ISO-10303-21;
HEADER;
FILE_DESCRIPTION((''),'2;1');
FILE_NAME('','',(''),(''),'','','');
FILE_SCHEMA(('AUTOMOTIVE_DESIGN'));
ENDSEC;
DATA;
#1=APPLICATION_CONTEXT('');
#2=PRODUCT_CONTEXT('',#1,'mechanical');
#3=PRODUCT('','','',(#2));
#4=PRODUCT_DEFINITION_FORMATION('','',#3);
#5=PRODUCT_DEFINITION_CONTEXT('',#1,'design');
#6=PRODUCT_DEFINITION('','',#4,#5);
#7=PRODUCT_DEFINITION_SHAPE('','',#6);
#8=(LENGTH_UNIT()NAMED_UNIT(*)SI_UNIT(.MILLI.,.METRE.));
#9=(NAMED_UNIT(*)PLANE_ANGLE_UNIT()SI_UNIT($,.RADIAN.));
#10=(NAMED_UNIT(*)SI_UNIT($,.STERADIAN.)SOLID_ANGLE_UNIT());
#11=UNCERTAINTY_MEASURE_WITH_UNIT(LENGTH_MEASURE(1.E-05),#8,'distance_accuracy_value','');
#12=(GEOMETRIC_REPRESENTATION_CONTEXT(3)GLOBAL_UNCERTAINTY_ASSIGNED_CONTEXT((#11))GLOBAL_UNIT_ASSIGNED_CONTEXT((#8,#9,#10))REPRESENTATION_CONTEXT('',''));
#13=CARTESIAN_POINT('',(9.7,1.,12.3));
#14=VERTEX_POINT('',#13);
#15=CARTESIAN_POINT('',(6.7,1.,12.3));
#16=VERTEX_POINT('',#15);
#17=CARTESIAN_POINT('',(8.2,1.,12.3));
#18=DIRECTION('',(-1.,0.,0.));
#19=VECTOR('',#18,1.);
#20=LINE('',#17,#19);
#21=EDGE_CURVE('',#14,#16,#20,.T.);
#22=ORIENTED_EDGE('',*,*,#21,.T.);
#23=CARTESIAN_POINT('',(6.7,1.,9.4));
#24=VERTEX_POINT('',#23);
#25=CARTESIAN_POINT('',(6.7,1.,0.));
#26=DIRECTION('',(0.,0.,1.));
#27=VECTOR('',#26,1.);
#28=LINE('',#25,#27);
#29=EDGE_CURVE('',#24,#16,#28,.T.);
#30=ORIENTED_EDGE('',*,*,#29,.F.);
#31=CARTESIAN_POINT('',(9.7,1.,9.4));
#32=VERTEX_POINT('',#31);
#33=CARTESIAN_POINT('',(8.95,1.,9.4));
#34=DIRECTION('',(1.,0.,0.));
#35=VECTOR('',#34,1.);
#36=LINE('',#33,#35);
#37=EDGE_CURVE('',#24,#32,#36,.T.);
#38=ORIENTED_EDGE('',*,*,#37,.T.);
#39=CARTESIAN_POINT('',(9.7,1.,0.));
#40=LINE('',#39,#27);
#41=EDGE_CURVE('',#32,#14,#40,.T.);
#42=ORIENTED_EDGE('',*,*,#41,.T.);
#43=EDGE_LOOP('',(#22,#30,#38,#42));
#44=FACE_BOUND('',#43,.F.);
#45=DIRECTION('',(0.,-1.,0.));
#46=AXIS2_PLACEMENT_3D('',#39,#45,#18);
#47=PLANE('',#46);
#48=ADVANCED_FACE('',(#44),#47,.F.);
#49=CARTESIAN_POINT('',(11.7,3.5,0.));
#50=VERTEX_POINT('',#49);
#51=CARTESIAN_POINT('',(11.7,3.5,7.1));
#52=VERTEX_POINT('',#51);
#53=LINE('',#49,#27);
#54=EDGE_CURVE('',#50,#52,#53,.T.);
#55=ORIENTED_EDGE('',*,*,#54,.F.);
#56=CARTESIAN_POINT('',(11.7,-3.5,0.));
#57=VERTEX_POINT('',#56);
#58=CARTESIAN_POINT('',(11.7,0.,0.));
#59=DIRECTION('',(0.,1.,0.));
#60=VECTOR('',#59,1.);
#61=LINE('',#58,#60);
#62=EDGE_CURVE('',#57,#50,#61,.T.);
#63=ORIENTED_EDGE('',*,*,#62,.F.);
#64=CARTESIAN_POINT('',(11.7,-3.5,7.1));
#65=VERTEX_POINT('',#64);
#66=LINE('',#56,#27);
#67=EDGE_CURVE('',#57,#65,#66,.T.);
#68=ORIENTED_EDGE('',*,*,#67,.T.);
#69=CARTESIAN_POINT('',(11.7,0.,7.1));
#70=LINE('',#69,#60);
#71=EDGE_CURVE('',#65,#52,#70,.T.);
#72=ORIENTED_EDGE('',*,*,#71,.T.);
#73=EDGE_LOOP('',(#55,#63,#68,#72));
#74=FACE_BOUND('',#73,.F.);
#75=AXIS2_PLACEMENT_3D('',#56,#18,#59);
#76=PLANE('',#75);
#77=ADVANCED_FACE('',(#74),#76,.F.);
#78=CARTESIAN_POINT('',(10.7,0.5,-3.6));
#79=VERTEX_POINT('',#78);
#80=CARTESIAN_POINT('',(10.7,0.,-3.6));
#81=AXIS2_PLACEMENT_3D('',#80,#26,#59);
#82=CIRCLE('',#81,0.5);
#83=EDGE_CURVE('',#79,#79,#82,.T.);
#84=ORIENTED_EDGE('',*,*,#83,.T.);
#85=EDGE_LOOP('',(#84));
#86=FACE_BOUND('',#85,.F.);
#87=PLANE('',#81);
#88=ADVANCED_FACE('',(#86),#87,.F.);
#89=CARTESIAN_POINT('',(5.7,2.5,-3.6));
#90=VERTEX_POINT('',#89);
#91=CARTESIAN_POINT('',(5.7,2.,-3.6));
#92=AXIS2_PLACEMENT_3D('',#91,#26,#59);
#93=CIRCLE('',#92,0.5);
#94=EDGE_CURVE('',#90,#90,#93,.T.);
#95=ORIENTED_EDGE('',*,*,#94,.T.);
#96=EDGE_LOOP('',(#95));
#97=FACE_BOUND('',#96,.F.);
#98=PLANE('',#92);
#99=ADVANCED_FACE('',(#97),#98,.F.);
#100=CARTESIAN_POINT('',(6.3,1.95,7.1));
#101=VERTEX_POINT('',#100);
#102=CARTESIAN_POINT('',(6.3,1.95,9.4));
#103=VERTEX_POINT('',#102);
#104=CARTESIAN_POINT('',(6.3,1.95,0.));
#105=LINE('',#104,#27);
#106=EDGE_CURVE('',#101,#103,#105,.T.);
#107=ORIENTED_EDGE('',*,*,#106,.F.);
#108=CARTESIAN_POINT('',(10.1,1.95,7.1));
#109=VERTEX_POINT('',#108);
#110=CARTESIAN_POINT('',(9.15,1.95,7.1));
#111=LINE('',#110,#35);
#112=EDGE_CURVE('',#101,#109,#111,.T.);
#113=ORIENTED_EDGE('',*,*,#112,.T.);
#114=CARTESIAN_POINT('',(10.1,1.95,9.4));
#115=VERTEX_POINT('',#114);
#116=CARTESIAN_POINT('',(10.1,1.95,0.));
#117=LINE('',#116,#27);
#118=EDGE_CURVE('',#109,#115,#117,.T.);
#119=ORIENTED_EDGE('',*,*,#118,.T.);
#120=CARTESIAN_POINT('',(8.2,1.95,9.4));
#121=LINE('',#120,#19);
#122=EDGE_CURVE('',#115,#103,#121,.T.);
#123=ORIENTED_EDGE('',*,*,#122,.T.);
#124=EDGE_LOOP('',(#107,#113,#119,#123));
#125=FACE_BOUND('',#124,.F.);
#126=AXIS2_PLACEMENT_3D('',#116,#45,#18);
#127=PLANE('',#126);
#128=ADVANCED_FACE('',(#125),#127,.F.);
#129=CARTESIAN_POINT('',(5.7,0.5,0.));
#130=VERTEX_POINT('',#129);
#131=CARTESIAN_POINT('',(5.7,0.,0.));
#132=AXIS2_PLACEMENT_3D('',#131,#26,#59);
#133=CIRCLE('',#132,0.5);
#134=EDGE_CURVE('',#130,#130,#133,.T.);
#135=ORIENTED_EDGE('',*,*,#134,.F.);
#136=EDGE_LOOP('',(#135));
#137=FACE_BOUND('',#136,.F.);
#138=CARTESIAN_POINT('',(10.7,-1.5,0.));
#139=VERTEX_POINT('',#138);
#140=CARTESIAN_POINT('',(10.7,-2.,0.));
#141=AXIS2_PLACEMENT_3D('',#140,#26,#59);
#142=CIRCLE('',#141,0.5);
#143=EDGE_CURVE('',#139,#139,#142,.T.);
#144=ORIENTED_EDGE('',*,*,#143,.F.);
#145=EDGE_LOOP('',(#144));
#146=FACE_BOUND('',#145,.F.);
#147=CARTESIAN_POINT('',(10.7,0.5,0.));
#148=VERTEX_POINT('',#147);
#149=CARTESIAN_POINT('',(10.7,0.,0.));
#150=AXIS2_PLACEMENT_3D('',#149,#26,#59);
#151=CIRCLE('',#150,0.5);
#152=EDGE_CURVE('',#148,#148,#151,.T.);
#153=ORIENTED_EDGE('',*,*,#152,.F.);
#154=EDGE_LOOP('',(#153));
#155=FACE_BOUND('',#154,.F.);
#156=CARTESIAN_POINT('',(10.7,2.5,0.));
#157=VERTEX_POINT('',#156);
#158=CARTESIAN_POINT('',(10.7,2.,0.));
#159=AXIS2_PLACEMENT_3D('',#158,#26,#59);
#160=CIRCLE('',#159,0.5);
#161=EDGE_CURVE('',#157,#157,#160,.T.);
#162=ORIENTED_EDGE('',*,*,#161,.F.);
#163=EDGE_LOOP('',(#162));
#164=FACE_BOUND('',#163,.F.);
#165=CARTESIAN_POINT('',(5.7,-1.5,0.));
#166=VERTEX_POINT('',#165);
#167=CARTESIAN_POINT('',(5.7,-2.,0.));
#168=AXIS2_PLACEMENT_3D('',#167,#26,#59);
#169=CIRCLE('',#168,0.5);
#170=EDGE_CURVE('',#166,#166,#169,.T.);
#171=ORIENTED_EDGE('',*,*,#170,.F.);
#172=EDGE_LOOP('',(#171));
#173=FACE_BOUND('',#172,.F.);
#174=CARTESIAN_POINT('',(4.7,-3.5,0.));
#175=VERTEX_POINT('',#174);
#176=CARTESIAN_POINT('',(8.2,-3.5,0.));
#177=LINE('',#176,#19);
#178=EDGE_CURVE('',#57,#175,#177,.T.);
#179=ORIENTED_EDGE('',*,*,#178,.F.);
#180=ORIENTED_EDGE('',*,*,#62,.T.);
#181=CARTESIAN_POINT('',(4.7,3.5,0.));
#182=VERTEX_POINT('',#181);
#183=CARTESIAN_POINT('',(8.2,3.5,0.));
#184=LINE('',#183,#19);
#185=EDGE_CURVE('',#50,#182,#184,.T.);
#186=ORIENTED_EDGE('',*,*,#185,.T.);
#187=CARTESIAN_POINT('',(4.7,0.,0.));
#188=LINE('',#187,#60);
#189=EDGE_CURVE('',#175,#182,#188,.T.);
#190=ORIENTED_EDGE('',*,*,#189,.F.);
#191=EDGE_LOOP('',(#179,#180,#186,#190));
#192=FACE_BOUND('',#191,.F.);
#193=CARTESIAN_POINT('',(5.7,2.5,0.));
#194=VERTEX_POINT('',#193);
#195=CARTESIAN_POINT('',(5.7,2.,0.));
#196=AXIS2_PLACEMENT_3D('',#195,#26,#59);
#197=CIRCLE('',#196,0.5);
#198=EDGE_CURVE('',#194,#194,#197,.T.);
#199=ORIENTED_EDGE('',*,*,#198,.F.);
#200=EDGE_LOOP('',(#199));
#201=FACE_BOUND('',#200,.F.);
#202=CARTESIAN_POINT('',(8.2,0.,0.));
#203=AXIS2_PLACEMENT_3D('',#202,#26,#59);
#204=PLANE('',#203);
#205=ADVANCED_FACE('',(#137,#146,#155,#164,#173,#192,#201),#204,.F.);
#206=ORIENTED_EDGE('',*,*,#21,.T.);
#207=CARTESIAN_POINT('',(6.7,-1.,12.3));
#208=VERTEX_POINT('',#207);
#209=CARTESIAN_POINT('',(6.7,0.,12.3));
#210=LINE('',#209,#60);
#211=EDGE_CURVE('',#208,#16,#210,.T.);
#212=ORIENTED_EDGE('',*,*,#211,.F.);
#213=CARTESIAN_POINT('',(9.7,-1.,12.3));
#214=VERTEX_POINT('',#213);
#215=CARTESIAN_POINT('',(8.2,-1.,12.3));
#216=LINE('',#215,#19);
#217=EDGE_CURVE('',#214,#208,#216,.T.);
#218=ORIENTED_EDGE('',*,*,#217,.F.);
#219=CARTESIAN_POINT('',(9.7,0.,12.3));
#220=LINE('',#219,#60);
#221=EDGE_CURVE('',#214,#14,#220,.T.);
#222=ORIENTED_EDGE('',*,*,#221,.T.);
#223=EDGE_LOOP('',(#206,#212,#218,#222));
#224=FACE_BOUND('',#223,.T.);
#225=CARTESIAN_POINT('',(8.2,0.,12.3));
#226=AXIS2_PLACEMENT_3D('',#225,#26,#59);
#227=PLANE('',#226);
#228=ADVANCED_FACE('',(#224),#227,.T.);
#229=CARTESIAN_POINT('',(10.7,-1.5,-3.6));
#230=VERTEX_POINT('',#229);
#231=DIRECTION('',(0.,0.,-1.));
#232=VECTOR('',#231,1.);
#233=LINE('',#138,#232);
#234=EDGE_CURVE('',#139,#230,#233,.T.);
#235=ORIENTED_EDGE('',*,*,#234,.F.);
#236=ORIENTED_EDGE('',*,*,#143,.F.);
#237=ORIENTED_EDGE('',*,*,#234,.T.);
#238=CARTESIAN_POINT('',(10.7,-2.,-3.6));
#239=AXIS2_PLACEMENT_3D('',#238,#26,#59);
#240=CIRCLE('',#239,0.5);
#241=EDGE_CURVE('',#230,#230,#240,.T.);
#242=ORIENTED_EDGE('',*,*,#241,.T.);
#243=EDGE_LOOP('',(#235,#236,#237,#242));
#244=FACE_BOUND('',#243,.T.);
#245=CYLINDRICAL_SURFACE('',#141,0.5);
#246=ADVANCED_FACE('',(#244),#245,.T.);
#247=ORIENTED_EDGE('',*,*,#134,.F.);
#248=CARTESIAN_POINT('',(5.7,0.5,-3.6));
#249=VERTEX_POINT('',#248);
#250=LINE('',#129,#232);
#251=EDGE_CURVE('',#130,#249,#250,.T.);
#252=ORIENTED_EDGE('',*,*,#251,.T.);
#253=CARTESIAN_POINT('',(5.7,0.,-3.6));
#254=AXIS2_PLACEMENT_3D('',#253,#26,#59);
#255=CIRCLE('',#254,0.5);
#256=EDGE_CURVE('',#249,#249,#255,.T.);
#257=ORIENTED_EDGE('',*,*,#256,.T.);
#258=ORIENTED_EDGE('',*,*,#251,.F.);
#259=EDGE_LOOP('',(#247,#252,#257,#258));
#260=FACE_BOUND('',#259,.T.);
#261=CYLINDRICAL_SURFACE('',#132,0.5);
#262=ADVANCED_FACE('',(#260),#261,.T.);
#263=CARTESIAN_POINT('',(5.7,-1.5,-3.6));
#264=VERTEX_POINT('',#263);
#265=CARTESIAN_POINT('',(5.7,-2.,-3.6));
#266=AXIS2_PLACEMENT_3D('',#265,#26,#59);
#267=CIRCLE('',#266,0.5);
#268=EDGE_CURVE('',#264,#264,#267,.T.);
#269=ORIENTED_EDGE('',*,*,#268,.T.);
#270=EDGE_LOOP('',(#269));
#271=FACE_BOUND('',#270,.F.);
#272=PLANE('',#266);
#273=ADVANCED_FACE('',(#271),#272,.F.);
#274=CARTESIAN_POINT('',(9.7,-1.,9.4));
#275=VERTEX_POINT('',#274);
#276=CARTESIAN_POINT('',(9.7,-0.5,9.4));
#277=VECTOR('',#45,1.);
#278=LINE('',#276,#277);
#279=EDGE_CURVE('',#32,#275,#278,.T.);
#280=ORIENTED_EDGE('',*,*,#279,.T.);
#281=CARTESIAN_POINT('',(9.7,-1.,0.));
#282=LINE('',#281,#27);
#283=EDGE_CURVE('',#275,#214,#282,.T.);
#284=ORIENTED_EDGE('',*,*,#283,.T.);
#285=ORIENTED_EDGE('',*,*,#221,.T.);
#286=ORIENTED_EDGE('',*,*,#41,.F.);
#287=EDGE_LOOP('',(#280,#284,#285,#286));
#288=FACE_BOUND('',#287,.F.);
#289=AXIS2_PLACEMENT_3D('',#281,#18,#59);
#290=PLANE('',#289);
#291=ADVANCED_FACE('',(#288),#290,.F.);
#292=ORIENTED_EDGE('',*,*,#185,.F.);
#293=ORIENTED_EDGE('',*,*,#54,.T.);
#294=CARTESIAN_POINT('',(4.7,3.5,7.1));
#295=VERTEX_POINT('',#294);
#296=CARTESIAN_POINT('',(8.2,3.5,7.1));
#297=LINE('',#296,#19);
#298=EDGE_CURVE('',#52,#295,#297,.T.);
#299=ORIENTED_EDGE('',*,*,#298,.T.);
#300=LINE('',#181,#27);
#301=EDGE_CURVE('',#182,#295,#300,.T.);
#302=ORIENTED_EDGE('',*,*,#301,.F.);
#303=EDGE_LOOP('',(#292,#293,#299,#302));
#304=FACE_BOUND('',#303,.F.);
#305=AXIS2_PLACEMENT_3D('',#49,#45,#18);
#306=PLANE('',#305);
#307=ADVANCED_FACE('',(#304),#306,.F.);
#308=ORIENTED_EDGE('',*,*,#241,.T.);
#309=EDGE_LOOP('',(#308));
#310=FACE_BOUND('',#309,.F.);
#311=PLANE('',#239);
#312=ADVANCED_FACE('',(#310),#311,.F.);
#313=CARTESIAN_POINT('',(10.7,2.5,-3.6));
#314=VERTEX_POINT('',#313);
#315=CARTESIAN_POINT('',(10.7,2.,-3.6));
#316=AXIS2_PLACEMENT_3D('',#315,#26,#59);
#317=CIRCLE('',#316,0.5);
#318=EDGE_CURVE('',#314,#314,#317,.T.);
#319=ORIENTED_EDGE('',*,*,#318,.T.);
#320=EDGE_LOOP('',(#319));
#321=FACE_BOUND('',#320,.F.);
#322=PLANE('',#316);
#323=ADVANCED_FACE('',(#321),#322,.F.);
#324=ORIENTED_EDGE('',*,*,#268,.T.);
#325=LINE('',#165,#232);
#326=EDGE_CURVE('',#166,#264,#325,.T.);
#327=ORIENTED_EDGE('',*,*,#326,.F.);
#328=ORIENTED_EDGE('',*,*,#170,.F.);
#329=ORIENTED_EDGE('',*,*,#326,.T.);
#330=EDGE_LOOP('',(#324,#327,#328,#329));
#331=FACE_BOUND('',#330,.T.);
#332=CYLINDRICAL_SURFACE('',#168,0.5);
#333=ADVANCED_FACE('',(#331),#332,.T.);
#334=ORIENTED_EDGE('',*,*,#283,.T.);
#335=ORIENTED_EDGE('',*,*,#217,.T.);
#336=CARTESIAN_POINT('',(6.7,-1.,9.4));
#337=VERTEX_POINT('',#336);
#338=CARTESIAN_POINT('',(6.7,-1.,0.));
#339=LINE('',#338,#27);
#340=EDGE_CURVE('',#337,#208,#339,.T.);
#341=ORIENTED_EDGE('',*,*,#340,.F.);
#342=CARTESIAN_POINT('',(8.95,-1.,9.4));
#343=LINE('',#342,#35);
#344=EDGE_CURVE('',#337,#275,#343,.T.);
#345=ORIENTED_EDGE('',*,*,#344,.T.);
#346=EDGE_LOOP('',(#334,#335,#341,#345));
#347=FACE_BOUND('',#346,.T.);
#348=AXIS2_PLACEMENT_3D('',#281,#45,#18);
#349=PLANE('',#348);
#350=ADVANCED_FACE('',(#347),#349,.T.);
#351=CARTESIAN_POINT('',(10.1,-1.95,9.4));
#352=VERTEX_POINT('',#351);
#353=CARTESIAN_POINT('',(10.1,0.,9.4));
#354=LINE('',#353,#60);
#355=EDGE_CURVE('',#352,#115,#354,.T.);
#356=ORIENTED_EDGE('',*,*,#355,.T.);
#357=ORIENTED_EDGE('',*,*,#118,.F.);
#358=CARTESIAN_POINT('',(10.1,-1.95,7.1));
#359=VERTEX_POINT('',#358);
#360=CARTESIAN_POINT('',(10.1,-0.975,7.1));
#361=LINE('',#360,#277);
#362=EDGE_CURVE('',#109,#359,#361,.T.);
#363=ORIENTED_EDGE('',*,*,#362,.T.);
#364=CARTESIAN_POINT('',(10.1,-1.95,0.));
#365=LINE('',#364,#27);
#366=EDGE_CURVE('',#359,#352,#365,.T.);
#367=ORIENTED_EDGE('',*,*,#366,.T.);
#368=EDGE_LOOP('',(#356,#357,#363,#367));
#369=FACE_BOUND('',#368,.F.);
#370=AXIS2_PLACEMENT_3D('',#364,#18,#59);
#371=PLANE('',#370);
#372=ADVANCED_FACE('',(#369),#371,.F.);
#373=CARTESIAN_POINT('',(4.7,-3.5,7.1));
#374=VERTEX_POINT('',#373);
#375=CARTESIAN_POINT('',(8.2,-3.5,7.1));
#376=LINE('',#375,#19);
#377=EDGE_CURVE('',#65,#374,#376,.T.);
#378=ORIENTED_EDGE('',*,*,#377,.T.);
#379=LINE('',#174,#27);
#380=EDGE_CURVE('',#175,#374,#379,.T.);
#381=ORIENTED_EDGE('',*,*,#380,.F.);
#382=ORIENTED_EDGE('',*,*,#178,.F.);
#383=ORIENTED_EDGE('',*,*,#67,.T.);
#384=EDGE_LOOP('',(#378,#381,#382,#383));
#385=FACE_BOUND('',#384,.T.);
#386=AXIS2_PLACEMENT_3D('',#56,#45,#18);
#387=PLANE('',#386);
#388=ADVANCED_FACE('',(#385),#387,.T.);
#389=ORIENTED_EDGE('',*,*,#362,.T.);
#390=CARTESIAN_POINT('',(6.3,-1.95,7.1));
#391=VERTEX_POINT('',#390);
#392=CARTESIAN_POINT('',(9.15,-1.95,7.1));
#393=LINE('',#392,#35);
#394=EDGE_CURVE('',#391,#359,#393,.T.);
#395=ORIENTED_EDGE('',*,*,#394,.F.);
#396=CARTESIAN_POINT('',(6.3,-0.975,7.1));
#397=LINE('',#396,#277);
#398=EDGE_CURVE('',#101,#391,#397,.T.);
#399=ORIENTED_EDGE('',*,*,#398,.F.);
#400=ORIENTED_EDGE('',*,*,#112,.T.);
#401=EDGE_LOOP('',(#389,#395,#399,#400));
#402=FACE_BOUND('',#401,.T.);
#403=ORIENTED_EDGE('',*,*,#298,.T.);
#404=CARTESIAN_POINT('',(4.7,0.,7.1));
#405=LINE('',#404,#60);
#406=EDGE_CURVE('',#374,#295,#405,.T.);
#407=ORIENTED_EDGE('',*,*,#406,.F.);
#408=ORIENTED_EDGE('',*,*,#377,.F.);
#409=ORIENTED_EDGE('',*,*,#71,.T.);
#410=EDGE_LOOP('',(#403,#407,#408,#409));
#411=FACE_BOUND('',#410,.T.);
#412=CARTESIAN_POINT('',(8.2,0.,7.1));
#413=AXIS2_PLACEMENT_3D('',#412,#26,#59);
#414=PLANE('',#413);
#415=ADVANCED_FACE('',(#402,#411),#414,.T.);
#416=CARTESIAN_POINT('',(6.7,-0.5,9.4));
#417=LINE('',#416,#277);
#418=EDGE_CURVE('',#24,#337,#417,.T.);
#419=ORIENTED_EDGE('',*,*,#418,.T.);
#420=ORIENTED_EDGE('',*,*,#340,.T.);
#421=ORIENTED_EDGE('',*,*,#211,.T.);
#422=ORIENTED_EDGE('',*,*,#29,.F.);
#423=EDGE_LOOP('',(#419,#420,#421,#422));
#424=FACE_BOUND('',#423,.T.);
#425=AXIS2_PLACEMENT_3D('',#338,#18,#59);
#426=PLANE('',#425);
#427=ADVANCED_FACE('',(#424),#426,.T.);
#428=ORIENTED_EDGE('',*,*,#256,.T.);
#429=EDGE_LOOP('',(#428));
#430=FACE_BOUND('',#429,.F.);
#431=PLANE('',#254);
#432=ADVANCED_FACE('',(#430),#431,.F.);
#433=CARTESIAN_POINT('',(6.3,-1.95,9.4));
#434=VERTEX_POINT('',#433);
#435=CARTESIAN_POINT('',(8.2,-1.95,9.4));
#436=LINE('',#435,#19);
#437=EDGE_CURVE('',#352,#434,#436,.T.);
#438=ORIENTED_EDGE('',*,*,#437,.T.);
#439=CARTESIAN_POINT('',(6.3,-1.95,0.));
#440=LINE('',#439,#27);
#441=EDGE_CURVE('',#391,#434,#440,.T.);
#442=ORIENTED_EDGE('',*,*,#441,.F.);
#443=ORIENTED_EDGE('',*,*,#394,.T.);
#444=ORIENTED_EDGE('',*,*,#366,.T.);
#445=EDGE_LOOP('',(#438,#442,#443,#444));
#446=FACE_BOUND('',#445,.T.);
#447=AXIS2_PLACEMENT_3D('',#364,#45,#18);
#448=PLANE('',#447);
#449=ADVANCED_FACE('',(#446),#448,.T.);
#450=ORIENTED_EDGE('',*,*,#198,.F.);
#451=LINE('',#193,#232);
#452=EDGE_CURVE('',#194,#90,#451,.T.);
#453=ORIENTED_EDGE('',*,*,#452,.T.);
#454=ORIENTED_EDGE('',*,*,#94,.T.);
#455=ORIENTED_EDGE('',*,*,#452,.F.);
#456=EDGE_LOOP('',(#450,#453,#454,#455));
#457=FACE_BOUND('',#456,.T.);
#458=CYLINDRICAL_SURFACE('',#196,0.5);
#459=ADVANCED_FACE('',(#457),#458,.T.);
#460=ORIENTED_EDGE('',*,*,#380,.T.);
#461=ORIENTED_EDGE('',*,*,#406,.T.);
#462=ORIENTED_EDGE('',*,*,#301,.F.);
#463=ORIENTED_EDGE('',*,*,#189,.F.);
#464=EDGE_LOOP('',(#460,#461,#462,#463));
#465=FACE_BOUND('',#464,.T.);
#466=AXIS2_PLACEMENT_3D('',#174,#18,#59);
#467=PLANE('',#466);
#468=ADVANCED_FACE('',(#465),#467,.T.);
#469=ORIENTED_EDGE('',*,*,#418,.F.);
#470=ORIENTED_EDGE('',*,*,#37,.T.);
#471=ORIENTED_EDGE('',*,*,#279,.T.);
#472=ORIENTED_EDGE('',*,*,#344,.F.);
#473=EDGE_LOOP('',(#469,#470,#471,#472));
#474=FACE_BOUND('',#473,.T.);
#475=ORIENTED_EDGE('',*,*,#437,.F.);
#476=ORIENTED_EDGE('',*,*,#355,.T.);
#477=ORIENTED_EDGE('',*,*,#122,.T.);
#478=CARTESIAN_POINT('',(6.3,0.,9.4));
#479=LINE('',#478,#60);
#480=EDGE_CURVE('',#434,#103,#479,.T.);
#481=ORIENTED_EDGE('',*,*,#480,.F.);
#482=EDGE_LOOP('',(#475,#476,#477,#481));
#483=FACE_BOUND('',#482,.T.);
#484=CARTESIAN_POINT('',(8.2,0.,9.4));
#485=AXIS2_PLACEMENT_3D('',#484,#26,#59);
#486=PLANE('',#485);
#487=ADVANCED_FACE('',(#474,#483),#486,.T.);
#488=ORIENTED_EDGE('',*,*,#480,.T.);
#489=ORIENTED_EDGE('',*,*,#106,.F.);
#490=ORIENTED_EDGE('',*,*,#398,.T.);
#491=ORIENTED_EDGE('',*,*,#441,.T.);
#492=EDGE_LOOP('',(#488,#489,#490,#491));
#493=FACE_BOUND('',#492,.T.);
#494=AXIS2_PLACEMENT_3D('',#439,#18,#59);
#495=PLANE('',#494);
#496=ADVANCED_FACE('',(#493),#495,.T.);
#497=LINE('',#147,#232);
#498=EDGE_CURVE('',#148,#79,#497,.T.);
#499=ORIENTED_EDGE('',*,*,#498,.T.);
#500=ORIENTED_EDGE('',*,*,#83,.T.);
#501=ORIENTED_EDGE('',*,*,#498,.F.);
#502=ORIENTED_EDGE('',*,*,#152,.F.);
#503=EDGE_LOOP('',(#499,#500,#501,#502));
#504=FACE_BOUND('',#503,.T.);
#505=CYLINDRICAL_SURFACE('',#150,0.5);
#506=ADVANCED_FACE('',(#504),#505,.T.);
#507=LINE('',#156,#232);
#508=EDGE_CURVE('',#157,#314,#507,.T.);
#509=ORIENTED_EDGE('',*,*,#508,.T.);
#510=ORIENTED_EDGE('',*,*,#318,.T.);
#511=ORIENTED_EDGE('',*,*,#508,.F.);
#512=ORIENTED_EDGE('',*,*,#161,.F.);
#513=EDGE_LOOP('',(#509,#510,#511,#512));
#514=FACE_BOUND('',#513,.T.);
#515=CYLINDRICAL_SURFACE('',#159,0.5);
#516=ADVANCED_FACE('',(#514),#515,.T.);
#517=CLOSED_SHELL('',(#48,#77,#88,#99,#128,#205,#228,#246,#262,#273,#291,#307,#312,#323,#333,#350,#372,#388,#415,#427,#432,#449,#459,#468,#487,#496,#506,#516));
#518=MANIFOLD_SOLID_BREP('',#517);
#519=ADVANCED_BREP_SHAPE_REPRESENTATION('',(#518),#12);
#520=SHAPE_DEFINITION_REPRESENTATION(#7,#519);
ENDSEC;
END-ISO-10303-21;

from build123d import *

# Parameters (mm, degrees)
SKETCH069_W             = 7
SKETCH069_H             = 7
PAD039_DEPTH            = 7.1
SKETCH070_R             = 0.5
PAD040_DEPTH            = 3.6
SKETCH071_W             = 3.9
SKETCH071_H             = 3.8
PAD041_DEPTH            = 9.4
SKETCH072_W             = 2
SKETCH072_H             = 3
PAD042_DEPTH            = 12.3
BODY057_PLACEMENT_ANGLE = 90


with BuildPart() as part:
    # Sketch069 → Pad039 (new body)
    with BuildSketch(Plane.XY):
        Rectangle(SKETCH069_W, SKETCH069_H)
    extrude(amount=PAD039_DEPTH)

    # Sketch070 → Pad040 (join)
    with BuildSketch(Plane.XY):
        with Locations((0, 2.5)):
            Circle(SKETCH070_R)
        with Locations((0, -2.5)):
            Circle(SKETCH070_R)
        with Locations((2, 2.5)):
            Circle(SKETCH070_R)
        with Locations((-2, 2.5)):
            Circle(SKETCH070_R)
        with Locations((-2, -2.5)):
            Circle(SKETCH070_R)
        with Locations((2, -2.5)):
            Circle(SKETCH070_R)
    extrude(amount=-PAD040_DEPTH)

    # Sketch071 → Pad041 (join)
    with BuildSketch(Plane.XY):
        Rectangle(SKETCH071_W, SKETCH071_H)
    extrude(amount=PAD041_DEPTH)

    # Sketch072 → Pad042 (join)
    with BuildSketch(Plane.XY):
        Rectangle(SKETCH072_W, SKETCH072_H)
    extrude(amount=PAD042_DEPTH)


with BuildPart() as part_1:
    # Body057 placement: moved
    add(part.part.moved(Location((8.2, 0, 0))).rotate(Axis((8.2, 0, 0), (0, 0, 1)), BODY057_PLACEMENT_ANGLE))


solid = part_1.part
